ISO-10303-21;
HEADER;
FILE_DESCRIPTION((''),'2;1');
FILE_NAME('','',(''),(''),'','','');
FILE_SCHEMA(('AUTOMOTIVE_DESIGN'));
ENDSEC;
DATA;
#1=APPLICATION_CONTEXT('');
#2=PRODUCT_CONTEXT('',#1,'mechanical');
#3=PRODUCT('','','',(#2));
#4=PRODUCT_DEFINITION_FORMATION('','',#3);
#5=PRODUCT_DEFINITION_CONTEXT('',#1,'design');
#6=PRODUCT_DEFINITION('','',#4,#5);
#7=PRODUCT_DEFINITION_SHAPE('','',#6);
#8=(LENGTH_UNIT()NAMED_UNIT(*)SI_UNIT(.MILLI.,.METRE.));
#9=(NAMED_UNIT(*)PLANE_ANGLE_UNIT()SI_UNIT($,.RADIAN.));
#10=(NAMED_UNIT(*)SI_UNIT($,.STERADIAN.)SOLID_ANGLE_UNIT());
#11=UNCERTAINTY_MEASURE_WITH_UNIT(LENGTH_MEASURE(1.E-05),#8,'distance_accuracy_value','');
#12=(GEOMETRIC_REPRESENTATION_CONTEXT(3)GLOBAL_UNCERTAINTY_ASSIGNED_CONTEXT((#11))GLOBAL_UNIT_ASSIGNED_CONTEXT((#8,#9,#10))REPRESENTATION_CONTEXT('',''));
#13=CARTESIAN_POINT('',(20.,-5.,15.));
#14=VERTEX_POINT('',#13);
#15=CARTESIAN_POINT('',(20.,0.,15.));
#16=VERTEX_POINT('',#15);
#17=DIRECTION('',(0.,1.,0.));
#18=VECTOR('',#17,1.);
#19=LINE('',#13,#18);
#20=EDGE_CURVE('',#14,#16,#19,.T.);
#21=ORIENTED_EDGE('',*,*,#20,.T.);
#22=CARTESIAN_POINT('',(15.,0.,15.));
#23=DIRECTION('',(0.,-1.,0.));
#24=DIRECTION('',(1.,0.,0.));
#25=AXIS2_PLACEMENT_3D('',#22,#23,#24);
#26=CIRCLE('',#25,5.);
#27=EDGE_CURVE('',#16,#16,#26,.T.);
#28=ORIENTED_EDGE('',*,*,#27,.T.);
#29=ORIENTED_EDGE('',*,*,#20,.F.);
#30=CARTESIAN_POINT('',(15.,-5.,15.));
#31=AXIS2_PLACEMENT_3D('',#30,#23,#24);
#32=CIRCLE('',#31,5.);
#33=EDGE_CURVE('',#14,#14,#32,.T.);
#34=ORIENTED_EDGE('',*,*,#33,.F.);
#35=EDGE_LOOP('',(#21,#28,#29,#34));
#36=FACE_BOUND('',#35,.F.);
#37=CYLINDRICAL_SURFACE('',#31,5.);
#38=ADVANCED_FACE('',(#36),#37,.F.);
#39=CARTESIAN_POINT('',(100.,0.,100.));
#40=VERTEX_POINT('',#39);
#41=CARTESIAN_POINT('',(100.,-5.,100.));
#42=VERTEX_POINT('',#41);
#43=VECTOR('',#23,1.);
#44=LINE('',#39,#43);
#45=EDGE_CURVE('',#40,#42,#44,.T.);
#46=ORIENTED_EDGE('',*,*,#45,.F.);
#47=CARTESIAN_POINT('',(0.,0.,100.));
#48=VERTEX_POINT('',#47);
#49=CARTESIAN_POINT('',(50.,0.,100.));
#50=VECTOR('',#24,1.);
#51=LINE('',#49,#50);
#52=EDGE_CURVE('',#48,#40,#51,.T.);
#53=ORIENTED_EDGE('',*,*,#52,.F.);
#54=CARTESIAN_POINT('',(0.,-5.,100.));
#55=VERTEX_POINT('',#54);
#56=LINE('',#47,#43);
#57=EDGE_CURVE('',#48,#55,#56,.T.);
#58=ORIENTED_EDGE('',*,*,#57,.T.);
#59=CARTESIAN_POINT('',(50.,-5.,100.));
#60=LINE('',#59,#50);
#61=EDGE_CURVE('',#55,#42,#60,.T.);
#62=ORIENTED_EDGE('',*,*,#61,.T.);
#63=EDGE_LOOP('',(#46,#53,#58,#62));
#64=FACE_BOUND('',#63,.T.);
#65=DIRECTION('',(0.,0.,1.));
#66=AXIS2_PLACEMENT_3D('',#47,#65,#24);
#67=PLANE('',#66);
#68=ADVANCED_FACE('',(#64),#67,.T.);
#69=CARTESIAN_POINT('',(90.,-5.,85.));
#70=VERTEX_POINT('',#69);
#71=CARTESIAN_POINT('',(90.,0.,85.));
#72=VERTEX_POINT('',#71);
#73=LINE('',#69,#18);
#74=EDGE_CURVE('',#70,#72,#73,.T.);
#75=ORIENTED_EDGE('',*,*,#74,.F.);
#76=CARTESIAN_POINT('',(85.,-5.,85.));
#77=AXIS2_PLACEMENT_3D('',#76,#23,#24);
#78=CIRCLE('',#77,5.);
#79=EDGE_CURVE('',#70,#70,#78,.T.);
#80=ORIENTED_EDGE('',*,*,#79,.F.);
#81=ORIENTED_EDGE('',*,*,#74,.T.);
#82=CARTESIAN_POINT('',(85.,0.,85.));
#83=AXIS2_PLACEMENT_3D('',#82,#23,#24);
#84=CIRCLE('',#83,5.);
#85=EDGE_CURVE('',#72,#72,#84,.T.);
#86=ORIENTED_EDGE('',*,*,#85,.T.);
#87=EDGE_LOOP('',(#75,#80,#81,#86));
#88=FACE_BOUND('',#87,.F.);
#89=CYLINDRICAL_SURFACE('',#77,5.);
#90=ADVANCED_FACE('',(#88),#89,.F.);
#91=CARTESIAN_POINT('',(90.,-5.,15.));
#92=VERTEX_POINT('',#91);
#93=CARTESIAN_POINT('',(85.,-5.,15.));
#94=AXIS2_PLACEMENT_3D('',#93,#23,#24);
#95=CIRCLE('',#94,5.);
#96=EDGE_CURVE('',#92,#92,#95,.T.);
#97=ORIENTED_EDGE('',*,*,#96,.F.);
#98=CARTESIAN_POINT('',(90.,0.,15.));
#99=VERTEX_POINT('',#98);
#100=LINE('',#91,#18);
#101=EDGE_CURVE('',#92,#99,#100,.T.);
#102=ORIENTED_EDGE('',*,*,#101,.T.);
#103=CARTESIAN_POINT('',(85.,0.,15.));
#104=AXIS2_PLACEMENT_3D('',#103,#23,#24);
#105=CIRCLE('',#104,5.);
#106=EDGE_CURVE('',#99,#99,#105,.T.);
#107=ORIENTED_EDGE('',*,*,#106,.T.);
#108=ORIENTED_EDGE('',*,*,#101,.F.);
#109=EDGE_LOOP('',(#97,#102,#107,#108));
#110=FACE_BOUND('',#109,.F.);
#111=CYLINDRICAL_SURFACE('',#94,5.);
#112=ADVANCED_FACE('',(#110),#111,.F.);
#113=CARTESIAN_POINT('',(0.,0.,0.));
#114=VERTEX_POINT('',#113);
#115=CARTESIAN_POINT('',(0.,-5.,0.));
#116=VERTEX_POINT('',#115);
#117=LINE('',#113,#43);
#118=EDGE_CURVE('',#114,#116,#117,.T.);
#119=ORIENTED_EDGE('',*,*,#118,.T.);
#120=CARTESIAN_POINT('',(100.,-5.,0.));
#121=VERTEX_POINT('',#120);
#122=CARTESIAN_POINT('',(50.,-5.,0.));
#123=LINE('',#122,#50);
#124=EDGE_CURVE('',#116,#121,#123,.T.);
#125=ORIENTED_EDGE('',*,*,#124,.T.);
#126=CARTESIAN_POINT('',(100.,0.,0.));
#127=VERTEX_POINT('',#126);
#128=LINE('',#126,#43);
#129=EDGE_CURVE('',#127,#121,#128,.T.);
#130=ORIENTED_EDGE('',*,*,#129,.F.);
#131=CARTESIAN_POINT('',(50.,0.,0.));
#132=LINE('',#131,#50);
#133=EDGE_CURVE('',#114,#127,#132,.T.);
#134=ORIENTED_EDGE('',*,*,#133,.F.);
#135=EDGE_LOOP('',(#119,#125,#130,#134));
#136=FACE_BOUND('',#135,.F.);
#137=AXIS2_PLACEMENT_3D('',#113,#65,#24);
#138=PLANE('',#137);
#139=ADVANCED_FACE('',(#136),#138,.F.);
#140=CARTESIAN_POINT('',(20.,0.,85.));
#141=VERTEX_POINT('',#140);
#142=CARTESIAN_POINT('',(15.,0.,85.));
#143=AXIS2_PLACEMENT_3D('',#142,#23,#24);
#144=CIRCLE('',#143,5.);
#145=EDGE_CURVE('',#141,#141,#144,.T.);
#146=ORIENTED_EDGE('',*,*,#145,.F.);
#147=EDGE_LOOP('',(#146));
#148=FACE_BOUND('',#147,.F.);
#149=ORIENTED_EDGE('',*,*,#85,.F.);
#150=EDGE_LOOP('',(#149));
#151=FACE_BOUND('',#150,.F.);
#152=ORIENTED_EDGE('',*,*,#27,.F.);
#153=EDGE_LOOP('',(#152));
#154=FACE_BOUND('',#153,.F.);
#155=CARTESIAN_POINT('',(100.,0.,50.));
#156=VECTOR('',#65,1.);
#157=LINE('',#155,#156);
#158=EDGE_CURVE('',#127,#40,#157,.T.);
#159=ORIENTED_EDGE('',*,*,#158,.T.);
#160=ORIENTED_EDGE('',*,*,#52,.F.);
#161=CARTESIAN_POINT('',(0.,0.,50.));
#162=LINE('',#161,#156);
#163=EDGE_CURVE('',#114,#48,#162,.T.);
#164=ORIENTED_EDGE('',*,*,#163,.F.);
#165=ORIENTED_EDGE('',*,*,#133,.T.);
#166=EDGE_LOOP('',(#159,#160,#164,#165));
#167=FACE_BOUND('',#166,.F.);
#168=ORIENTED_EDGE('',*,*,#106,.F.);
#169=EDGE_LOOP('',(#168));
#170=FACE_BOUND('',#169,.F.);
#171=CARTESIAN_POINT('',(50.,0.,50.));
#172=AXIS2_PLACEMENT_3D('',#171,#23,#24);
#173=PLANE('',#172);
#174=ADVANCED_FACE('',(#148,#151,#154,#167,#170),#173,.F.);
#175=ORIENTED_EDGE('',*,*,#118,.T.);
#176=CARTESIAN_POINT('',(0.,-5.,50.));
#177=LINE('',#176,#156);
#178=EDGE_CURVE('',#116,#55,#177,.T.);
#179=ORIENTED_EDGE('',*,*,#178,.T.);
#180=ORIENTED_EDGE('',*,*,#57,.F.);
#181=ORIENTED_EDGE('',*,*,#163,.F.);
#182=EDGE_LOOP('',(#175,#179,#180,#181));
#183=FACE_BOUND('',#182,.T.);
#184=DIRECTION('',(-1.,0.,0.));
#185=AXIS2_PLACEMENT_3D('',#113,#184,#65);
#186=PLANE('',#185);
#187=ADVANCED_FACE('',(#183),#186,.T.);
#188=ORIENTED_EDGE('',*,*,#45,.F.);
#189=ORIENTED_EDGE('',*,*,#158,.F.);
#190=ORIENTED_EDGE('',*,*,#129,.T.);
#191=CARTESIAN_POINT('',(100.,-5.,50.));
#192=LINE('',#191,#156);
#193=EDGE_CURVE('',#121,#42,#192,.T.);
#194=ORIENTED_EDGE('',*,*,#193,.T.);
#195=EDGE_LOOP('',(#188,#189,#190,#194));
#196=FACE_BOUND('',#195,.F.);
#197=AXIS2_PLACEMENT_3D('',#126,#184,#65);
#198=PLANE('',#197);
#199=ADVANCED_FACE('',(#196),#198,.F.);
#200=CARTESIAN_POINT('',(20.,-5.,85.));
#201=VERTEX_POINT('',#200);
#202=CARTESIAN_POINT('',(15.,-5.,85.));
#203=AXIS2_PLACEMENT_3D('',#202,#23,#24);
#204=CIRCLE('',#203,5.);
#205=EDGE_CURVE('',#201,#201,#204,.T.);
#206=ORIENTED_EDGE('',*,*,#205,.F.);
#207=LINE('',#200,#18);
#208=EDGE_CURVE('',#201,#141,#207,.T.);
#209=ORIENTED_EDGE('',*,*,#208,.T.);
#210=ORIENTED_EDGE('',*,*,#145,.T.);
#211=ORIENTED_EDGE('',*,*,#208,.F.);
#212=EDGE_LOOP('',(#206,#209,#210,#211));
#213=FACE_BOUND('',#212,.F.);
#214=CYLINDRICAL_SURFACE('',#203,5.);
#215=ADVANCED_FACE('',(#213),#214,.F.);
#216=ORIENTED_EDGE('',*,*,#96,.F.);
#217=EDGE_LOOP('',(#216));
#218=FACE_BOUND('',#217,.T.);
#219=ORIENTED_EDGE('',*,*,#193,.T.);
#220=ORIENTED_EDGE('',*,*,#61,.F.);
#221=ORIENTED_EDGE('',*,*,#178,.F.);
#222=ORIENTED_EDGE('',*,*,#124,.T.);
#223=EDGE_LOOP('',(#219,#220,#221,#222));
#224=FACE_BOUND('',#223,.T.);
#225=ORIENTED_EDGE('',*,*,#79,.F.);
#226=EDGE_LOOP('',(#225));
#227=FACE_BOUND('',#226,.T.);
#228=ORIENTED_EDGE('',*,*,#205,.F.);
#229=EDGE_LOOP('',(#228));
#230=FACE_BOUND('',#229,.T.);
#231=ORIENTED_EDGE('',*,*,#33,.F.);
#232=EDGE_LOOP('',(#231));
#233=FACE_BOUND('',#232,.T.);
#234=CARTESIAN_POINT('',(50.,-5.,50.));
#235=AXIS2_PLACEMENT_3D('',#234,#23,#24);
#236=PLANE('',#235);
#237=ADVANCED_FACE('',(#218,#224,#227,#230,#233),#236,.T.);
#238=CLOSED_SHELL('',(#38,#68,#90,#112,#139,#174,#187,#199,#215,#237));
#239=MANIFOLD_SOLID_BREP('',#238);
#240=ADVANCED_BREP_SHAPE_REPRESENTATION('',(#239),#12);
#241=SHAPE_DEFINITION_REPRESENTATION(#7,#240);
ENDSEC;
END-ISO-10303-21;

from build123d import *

# Parameters (mm, degrees)
F0_W     = 100
F0_H     = 100
F1_DEPTH = 5
F2_R     = 5
F3_DEPTH = 5.001


with BuildPart() as f1:
    # F0 (on Front) → F1 (new body)
    with BuildSketch(Plane.XZ):
        with Locations((50, 50)):
            Rectangle(F0_W, F0_H)
    extrude(amount=F1_DEPTH)

    # F2 (on face) → F3 (cut, through all)
    with BuildSketch(Plane.XZ.offset(5)):
        with Locations((15, 85)):
            Circle(F2_R)
        with Locations((85, 85)):
            Circle(F2_R)
        with Locations((15, 15)):
            Circle(F2_R)
        with Locations((85, 15)):
            Circle(F2_R)
    extrude(amount=-F3_DEPTH, mode=Mode.SUBTRACT)


solid = f1.part
